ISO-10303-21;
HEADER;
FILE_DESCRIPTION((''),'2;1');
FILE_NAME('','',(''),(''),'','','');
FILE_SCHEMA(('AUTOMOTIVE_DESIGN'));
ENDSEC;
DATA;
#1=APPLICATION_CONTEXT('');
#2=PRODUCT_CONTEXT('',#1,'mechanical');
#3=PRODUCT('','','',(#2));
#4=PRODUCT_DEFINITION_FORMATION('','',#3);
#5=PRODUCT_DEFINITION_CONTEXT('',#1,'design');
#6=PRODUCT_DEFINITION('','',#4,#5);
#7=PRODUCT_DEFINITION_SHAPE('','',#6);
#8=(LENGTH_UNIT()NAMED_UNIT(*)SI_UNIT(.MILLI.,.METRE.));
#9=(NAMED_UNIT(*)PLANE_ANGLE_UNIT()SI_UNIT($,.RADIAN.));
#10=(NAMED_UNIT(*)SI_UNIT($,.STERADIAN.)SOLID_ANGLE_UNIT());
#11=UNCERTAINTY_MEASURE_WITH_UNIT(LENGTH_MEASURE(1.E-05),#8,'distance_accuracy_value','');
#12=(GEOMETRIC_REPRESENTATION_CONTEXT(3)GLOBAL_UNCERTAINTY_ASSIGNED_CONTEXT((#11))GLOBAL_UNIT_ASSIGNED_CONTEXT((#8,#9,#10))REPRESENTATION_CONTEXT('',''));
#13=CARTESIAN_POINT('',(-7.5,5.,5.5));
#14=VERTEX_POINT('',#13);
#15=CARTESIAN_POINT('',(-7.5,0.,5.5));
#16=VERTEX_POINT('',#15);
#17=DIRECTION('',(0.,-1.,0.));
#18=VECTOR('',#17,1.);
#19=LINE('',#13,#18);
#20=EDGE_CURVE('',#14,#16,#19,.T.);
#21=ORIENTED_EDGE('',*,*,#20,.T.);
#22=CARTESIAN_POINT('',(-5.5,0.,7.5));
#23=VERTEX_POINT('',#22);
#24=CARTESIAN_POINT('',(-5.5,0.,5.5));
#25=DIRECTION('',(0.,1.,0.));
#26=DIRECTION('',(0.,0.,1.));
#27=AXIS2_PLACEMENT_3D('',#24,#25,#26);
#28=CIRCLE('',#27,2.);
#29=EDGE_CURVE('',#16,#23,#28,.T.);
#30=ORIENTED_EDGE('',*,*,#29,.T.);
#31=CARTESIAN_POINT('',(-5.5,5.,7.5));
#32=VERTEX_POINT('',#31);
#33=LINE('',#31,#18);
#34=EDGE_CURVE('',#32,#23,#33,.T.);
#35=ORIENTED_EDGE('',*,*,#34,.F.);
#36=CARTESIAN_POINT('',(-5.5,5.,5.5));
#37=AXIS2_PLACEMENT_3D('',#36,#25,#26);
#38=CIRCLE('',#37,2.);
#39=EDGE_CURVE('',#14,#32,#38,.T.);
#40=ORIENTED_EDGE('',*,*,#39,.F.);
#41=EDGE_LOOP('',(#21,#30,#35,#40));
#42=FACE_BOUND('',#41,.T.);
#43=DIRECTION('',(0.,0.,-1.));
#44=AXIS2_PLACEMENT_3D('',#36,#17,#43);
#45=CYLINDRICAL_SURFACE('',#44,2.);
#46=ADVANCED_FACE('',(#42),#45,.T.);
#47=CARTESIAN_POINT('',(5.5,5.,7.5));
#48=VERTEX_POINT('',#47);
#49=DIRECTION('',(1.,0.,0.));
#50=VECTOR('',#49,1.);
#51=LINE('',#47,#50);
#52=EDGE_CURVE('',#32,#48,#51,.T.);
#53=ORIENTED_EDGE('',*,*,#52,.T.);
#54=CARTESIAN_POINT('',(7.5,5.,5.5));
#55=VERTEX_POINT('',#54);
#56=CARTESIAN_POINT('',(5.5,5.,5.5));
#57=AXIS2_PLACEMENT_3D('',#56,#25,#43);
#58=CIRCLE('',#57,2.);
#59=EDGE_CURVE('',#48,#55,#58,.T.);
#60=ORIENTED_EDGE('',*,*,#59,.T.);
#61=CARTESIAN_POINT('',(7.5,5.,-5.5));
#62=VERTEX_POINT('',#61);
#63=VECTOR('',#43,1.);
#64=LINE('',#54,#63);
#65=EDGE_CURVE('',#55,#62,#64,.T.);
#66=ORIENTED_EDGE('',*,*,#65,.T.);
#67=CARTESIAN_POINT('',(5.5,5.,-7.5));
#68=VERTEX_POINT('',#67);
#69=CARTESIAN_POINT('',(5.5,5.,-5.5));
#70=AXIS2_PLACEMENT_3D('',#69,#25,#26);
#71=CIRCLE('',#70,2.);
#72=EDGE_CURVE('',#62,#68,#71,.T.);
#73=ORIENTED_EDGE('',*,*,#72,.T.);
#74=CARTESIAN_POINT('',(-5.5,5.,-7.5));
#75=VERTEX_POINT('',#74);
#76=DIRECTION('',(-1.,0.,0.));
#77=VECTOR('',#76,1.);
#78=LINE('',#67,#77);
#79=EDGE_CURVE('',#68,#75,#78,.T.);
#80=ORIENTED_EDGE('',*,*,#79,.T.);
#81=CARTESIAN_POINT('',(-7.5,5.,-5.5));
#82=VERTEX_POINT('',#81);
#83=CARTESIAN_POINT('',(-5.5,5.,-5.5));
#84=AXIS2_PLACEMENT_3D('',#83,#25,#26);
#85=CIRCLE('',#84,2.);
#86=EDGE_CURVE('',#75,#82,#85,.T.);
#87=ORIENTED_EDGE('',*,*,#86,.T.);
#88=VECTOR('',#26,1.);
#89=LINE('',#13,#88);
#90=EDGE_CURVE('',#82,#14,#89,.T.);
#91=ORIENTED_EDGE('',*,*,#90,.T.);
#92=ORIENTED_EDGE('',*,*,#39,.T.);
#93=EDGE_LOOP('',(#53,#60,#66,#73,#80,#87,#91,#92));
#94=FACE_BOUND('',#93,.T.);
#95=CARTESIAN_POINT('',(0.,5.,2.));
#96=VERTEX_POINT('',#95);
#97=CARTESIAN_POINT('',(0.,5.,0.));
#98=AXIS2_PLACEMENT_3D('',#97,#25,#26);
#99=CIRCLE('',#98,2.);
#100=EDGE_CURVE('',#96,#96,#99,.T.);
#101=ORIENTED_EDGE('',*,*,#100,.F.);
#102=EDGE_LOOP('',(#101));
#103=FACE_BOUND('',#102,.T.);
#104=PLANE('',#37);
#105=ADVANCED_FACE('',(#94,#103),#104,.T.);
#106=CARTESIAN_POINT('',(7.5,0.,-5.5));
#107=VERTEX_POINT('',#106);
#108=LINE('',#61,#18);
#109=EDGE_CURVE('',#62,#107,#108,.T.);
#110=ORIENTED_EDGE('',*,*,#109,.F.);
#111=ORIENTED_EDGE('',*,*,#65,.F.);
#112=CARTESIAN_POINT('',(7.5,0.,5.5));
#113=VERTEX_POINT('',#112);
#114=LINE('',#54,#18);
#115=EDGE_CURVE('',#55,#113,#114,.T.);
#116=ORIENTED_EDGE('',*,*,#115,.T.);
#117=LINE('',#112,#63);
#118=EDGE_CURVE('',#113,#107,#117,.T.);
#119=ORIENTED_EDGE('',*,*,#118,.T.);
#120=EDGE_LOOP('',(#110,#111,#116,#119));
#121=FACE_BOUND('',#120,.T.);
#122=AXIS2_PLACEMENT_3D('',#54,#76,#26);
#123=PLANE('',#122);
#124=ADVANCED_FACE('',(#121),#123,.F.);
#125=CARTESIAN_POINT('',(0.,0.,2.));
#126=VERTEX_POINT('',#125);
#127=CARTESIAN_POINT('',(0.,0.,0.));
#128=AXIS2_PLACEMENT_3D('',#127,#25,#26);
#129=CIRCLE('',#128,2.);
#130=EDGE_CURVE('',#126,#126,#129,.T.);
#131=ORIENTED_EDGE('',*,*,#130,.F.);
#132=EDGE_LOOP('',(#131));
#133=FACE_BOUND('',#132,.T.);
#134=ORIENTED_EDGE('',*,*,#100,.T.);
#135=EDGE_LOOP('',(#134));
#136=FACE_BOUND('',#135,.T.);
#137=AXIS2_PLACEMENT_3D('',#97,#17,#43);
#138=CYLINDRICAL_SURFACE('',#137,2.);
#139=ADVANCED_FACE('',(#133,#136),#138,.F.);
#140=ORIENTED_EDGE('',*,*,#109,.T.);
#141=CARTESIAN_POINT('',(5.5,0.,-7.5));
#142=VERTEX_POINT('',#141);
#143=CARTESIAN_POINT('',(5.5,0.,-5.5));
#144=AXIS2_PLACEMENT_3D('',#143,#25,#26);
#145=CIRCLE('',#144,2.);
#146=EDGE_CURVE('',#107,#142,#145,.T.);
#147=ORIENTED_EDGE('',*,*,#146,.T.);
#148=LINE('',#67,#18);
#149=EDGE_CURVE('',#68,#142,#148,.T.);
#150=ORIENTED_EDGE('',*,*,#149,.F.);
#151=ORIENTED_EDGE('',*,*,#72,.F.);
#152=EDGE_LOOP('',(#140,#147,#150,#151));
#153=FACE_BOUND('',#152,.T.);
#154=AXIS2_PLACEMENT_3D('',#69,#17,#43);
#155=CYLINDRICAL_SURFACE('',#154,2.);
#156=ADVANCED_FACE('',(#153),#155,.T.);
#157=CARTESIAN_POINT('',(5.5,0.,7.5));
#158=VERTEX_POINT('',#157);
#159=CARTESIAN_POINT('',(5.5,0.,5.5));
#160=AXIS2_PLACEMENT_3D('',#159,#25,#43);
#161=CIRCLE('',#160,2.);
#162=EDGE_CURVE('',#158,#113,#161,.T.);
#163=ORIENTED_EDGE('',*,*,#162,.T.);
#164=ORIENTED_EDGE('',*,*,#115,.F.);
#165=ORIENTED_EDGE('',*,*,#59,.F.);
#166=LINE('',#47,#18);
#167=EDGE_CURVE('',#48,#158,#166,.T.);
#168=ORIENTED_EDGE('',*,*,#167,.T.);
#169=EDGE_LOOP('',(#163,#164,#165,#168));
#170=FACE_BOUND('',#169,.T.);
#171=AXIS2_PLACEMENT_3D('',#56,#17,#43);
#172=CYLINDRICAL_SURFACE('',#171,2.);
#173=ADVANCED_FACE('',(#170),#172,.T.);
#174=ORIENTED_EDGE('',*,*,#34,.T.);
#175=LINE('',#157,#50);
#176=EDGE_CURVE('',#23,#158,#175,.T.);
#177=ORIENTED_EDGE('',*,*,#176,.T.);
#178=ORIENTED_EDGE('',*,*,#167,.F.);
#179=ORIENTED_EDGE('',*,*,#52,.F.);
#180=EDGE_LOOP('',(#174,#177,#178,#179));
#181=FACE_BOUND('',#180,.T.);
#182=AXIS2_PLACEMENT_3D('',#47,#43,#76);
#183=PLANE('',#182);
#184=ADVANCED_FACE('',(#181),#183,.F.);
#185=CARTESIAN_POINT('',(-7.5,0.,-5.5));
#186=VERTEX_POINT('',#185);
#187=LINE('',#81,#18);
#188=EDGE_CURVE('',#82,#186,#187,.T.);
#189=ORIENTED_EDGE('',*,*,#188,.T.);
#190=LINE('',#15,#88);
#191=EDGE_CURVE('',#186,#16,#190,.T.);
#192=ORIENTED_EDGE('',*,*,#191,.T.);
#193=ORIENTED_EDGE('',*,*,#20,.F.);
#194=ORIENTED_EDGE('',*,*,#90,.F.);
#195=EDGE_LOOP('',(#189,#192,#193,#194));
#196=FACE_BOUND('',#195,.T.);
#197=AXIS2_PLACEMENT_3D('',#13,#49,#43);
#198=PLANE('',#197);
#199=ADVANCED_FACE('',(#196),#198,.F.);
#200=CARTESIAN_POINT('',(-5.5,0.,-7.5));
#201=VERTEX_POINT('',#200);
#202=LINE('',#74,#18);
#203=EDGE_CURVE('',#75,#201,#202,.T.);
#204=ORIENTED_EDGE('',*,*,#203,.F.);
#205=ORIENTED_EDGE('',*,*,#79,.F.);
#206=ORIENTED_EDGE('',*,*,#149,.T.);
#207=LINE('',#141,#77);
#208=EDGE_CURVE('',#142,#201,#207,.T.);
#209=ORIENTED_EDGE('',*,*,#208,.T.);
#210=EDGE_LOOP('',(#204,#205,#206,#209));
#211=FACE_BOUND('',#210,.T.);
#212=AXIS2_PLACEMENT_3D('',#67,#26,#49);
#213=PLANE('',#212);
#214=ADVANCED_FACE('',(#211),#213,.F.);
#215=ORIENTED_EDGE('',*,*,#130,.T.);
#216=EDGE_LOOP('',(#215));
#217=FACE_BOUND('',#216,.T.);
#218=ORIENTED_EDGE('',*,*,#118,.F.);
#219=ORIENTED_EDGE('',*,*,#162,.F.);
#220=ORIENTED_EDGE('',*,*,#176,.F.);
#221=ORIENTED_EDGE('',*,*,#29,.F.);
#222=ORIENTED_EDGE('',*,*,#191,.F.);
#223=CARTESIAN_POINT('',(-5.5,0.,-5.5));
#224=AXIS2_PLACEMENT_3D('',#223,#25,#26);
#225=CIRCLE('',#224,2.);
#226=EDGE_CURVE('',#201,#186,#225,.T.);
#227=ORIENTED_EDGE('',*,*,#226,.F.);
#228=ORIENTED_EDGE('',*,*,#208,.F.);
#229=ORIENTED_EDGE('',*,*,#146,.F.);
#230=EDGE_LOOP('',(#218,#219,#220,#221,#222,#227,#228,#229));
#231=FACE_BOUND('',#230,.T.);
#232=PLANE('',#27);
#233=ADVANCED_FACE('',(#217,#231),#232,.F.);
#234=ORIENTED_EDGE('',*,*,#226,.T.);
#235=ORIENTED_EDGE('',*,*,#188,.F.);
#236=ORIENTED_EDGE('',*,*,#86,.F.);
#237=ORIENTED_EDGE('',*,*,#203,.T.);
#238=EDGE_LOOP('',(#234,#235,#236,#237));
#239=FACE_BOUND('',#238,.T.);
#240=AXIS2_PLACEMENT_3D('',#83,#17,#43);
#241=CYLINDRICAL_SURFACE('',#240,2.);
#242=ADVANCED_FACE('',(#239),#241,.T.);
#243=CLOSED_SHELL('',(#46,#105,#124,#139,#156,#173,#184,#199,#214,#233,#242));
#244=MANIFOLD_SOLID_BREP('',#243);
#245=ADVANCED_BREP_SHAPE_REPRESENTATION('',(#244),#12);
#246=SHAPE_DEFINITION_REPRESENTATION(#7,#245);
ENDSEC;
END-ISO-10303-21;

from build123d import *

# Parameters (mm, degrees)
SKETCH1_R           = 2
BOSS_EXTRUDE1_DEPTH = 5


with BuildPart() as part:
    # Sketch1 → Boss-Extrude1 (new body)
    with BuildSketch(Plane(origin=(0, 0, 0), x_dir=(1, 0, 0), z_dir=(0, 1, 0))):
        with BuildLine():
            Line((5.5, -7.5), (-5.5, -7.5))
            ThreePointArc((-5.5, -7.5), (-6.914213562, -6.914213562), (-7.5, -5.5))
            Line((-7.5, -5.5), (-7.5, 5.5))
            ThreePointArc((-7.5, 5.5), (-6.914213562, 6.914213562), (-5.5, 7.5))
            Line((-5.5, 7.5), (5.5, 7.5))
            ThreePointArc((5.5, 7.5), (6.914213562, 6.914213562), (7.5, 5.5))
            Line((7.5, 5.5), (7.5, -5.5))
            ThreePointArc((7.5, -5.5), (6.914213562, -6.914213562), (5.5, -7.5))
        make_face()
        Circle(SKETCH1_R, mode=Mode.SUBTRACT)
    extrude(amount=BOSS_EXTRUDE1_DEPTH)


solid = part.part
